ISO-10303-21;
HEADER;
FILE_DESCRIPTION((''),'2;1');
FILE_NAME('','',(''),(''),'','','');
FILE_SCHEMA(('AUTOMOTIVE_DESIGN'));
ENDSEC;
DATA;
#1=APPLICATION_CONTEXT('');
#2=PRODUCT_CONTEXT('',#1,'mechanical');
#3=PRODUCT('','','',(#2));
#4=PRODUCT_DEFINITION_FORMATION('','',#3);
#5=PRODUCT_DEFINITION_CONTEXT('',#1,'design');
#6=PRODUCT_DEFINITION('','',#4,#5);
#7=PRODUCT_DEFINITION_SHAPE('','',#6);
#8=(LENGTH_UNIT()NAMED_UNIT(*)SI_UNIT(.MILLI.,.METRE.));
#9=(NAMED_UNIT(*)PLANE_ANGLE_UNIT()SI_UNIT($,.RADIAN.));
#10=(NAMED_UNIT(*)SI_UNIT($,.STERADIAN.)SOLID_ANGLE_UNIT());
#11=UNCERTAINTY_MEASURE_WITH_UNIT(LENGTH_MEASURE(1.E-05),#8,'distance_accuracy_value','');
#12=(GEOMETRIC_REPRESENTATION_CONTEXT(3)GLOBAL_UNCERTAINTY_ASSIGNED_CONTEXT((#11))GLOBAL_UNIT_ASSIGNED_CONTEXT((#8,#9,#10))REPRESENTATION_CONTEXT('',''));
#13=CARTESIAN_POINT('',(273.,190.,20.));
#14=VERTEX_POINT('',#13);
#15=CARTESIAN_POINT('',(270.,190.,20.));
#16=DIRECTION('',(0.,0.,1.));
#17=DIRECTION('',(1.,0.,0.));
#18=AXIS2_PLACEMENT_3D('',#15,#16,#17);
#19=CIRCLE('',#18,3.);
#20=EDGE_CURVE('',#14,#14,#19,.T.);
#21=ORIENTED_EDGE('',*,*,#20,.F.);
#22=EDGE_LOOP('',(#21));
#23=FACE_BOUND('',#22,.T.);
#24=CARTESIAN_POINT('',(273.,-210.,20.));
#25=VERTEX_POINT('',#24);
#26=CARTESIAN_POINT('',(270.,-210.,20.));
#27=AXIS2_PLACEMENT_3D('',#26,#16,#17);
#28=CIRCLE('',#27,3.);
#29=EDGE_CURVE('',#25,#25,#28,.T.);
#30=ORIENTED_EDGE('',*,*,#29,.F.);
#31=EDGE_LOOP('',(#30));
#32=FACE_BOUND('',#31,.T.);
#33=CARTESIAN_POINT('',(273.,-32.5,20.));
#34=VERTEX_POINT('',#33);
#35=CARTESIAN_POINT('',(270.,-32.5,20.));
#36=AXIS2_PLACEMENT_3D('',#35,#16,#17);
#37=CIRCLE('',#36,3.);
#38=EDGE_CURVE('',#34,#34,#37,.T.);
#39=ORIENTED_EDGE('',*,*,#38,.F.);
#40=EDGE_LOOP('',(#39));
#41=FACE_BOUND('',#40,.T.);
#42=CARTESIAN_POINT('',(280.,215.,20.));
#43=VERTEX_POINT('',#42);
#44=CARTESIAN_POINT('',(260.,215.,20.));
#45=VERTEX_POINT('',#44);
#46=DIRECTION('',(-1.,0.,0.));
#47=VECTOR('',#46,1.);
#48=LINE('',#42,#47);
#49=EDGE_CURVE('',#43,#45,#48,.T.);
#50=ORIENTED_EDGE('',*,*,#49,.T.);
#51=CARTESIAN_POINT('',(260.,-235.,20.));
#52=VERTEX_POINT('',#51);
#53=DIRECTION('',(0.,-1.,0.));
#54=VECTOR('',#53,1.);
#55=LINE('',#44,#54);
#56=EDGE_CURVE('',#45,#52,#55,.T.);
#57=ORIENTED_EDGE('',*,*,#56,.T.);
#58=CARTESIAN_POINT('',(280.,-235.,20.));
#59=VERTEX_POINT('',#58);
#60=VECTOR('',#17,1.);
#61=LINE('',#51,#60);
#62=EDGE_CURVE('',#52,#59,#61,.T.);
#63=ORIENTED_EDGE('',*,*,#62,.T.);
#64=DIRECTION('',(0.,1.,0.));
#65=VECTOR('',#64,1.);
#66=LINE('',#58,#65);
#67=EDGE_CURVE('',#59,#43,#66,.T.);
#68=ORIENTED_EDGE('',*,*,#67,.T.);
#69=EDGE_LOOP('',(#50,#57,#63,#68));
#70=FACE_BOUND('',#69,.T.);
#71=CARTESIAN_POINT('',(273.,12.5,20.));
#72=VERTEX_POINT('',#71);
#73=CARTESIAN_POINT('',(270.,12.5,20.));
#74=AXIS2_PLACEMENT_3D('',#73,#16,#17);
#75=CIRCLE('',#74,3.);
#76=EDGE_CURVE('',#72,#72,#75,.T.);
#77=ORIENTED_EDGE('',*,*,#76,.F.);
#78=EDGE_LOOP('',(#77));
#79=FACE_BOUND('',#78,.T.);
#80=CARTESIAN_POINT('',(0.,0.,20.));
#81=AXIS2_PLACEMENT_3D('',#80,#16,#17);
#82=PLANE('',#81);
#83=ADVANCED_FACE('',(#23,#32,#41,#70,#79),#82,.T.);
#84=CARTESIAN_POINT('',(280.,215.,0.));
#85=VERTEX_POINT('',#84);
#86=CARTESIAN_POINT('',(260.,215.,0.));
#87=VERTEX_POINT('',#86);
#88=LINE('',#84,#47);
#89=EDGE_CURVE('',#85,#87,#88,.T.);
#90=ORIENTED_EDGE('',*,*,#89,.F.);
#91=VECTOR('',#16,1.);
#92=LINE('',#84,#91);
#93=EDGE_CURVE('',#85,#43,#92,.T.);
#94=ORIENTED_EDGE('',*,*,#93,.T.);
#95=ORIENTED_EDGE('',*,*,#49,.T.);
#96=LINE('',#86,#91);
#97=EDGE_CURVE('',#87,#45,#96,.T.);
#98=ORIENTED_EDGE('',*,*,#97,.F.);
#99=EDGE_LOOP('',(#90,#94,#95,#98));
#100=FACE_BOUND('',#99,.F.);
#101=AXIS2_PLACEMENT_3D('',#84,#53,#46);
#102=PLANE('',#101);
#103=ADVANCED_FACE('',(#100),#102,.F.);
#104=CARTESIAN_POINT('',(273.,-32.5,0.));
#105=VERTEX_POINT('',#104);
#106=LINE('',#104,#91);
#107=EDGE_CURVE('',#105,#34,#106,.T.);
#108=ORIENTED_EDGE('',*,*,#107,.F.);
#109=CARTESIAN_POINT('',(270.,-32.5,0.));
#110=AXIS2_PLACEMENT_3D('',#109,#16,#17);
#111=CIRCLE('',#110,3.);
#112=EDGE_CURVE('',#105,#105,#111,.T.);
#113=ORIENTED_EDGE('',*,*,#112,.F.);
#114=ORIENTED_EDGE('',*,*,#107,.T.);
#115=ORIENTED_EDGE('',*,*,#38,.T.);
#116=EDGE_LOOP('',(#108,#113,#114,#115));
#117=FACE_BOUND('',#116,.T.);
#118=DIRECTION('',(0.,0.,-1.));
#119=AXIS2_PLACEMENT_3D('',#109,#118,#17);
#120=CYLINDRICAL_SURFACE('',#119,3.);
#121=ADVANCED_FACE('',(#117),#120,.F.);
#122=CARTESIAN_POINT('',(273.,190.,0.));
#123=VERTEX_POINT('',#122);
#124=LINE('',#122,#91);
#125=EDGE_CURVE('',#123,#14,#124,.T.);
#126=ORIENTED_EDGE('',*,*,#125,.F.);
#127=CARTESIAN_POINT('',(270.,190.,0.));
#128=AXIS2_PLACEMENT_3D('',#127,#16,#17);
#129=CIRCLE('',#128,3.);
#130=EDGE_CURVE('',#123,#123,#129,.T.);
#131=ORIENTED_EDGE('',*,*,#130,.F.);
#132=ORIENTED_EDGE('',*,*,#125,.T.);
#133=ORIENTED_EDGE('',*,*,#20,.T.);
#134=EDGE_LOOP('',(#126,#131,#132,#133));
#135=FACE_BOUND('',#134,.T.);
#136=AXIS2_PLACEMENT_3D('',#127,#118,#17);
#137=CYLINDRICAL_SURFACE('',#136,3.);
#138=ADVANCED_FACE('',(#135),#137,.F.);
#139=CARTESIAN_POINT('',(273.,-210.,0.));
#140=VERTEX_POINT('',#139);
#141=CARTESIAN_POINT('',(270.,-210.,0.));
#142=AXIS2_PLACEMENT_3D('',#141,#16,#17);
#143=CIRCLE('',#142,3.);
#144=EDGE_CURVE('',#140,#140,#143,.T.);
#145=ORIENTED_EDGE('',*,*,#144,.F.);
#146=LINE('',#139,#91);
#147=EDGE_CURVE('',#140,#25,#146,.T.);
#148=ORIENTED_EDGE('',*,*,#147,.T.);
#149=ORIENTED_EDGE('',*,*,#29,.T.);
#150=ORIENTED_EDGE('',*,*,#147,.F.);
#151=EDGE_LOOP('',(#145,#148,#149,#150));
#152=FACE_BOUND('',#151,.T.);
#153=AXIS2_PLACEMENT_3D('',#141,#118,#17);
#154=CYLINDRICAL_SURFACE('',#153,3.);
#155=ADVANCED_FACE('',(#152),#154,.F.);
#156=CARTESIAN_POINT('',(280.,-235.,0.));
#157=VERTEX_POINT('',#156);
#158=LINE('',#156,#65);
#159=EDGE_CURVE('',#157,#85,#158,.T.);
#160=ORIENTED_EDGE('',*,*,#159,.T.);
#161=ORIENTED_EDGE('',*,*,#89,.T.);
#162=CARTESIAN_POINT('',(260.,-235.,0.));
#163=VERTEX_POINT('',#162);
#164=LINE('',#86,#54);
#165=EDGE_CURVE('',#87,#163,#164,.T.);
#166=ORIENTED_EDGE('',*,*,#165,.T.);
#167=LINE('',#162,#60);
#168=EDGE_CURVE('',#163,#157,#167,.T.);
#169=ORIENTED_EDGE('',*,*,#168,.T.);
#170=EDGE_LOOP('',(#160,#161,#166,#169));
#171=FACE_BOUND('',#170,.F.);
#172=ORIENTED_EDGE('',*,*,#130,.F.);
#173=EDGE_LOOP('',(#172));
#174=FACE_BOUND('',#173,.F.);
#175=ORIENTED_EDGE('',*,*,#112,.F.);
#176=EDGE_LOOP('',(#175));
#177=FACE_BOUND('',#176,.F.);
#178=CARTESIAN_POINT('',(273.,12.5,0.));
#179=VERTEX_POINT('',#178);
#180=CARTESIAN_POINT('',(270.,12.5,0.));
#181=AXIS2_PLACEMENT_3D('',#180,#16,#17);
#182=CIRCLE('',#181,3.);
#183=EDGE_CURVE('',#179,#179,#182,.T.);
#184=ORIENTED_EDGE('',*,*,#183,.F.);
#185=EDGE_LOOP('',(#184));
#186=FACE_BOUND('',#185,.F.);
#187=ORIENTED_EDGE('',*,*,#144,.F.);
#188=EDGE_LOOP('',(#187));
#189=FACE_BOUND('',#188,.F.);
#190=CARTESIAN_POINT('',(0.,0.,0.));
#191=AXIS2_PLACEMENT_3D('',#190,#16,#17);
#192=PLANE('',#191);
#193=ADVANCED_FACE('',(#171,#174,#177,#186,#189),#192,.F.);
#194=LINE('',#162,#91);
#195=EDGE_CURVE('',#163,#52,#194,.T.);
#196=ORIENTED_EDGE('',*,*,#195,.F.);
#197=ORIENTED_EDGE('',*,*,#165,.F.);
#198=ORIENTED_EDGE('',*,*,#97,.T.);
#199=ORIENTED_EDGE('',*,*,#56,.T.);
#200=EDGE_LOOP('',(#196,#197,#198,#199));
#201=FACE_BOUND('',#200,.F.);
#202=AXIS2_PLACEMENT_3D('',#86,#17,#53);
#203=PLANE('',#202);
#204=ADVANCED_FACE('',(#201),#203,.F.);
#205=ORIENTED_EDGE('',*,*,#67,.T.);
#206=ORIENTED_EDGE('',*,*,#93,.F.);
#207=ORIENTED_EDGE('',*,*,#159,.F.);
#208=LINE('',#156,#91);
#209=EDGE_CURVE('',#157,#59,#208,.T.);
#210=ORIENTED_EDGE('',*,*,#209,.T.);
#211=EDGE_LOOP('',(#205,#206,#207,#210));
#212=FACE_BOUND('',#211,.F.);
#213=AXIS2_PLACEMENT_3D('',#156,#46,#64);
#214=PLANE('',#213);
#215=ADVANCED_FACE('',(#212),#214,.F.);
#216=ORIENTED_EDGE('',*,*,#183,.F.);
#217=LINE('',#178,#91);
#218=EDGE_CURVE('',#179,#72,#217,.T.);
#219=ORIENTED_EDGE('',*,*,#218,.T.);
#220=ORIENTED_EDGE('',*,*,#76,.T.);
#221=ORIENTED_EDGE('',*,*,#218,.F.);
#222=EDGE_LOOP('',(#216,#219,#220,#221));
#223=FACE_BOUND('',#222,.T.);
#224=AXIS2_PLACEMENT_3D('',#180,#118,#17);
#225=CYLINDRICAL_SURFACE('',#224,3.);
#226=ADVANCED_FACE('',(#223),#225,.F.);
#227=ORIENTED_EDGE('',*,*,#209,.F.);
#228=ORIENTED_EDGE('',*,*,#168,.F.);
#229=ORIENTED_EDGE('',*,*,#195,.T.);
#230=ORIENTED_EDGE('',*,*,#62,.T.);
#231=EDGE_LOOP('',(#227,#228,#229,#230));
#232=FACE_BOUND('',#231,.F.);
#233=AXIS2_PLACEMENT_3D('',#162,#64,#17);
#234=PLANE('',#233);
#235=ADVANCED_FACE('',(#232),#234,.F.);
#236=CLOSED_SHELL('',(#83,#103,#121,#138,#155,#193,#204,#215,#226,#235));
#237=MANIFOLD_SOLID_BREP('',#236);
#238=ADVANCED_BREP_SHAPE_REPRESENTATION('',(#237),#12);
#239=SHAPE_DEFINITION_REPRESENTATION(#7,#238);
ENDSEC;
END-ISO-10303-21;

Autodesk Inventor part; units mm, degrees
ref_plane "YZ Plane" through (0, 0, 0) normal (1, 0, 0) x (0, 1, 0)
ref_plane "XZ Plane" through (0, 0, 0) normal (0, 1, 0) x (-1, 0, 0)
ref_plane "XY Plane" through (0, 0, 0) normal (0, 0, 1) x (1, 0, 0)
sketch "草圖1" plane through (0, 0, 0) normal (0, 0, 1) x (1, 0, 0)
  line L0 (280, 215) -> (260, 215)
  line L1 (260, 215) -> (260, -235)
  line L2 (260, -235) -> (280, -235)
  line L3 (280, -235) -> (280, 215)
  line L4 (280, 215) -> (260, -235) construction
  line L5 (260, 215) -> (280, -235) construction
  circle A0 centre (270, 190) radius 3
  circle A1 centre (270, -210) radius 3
  circle A2 centre (270, 12.5) radius 3
  circle A3 centre (270, -32.5) radius 3
  point P0 (0, 0)
  point P1 (270, -10)
  dimension "d3" = 20
  dimension "d4" = 450
  dimension "d5" = 280
  dimension "d6" = 215
  dimension "d8" = 225
  dimension "d11" = 6
  dimension "d12" = 6
  dimension "d14" = 6
  dimension "d15" = 6
  dimension "d16" = 10
  dimension "d17" = 25
  dimension "d18" = 10
  dimension "d19" = 202.5
  dimension "d20" = 10
  dimension "d21" = 10
  dimension "d22" = 247.5
  dimension "d23" = 10
  dimension "d24" = 425
extrude "擠出1" add sketch "草圖1" along normal blind 20
properties part number "DOF1"
